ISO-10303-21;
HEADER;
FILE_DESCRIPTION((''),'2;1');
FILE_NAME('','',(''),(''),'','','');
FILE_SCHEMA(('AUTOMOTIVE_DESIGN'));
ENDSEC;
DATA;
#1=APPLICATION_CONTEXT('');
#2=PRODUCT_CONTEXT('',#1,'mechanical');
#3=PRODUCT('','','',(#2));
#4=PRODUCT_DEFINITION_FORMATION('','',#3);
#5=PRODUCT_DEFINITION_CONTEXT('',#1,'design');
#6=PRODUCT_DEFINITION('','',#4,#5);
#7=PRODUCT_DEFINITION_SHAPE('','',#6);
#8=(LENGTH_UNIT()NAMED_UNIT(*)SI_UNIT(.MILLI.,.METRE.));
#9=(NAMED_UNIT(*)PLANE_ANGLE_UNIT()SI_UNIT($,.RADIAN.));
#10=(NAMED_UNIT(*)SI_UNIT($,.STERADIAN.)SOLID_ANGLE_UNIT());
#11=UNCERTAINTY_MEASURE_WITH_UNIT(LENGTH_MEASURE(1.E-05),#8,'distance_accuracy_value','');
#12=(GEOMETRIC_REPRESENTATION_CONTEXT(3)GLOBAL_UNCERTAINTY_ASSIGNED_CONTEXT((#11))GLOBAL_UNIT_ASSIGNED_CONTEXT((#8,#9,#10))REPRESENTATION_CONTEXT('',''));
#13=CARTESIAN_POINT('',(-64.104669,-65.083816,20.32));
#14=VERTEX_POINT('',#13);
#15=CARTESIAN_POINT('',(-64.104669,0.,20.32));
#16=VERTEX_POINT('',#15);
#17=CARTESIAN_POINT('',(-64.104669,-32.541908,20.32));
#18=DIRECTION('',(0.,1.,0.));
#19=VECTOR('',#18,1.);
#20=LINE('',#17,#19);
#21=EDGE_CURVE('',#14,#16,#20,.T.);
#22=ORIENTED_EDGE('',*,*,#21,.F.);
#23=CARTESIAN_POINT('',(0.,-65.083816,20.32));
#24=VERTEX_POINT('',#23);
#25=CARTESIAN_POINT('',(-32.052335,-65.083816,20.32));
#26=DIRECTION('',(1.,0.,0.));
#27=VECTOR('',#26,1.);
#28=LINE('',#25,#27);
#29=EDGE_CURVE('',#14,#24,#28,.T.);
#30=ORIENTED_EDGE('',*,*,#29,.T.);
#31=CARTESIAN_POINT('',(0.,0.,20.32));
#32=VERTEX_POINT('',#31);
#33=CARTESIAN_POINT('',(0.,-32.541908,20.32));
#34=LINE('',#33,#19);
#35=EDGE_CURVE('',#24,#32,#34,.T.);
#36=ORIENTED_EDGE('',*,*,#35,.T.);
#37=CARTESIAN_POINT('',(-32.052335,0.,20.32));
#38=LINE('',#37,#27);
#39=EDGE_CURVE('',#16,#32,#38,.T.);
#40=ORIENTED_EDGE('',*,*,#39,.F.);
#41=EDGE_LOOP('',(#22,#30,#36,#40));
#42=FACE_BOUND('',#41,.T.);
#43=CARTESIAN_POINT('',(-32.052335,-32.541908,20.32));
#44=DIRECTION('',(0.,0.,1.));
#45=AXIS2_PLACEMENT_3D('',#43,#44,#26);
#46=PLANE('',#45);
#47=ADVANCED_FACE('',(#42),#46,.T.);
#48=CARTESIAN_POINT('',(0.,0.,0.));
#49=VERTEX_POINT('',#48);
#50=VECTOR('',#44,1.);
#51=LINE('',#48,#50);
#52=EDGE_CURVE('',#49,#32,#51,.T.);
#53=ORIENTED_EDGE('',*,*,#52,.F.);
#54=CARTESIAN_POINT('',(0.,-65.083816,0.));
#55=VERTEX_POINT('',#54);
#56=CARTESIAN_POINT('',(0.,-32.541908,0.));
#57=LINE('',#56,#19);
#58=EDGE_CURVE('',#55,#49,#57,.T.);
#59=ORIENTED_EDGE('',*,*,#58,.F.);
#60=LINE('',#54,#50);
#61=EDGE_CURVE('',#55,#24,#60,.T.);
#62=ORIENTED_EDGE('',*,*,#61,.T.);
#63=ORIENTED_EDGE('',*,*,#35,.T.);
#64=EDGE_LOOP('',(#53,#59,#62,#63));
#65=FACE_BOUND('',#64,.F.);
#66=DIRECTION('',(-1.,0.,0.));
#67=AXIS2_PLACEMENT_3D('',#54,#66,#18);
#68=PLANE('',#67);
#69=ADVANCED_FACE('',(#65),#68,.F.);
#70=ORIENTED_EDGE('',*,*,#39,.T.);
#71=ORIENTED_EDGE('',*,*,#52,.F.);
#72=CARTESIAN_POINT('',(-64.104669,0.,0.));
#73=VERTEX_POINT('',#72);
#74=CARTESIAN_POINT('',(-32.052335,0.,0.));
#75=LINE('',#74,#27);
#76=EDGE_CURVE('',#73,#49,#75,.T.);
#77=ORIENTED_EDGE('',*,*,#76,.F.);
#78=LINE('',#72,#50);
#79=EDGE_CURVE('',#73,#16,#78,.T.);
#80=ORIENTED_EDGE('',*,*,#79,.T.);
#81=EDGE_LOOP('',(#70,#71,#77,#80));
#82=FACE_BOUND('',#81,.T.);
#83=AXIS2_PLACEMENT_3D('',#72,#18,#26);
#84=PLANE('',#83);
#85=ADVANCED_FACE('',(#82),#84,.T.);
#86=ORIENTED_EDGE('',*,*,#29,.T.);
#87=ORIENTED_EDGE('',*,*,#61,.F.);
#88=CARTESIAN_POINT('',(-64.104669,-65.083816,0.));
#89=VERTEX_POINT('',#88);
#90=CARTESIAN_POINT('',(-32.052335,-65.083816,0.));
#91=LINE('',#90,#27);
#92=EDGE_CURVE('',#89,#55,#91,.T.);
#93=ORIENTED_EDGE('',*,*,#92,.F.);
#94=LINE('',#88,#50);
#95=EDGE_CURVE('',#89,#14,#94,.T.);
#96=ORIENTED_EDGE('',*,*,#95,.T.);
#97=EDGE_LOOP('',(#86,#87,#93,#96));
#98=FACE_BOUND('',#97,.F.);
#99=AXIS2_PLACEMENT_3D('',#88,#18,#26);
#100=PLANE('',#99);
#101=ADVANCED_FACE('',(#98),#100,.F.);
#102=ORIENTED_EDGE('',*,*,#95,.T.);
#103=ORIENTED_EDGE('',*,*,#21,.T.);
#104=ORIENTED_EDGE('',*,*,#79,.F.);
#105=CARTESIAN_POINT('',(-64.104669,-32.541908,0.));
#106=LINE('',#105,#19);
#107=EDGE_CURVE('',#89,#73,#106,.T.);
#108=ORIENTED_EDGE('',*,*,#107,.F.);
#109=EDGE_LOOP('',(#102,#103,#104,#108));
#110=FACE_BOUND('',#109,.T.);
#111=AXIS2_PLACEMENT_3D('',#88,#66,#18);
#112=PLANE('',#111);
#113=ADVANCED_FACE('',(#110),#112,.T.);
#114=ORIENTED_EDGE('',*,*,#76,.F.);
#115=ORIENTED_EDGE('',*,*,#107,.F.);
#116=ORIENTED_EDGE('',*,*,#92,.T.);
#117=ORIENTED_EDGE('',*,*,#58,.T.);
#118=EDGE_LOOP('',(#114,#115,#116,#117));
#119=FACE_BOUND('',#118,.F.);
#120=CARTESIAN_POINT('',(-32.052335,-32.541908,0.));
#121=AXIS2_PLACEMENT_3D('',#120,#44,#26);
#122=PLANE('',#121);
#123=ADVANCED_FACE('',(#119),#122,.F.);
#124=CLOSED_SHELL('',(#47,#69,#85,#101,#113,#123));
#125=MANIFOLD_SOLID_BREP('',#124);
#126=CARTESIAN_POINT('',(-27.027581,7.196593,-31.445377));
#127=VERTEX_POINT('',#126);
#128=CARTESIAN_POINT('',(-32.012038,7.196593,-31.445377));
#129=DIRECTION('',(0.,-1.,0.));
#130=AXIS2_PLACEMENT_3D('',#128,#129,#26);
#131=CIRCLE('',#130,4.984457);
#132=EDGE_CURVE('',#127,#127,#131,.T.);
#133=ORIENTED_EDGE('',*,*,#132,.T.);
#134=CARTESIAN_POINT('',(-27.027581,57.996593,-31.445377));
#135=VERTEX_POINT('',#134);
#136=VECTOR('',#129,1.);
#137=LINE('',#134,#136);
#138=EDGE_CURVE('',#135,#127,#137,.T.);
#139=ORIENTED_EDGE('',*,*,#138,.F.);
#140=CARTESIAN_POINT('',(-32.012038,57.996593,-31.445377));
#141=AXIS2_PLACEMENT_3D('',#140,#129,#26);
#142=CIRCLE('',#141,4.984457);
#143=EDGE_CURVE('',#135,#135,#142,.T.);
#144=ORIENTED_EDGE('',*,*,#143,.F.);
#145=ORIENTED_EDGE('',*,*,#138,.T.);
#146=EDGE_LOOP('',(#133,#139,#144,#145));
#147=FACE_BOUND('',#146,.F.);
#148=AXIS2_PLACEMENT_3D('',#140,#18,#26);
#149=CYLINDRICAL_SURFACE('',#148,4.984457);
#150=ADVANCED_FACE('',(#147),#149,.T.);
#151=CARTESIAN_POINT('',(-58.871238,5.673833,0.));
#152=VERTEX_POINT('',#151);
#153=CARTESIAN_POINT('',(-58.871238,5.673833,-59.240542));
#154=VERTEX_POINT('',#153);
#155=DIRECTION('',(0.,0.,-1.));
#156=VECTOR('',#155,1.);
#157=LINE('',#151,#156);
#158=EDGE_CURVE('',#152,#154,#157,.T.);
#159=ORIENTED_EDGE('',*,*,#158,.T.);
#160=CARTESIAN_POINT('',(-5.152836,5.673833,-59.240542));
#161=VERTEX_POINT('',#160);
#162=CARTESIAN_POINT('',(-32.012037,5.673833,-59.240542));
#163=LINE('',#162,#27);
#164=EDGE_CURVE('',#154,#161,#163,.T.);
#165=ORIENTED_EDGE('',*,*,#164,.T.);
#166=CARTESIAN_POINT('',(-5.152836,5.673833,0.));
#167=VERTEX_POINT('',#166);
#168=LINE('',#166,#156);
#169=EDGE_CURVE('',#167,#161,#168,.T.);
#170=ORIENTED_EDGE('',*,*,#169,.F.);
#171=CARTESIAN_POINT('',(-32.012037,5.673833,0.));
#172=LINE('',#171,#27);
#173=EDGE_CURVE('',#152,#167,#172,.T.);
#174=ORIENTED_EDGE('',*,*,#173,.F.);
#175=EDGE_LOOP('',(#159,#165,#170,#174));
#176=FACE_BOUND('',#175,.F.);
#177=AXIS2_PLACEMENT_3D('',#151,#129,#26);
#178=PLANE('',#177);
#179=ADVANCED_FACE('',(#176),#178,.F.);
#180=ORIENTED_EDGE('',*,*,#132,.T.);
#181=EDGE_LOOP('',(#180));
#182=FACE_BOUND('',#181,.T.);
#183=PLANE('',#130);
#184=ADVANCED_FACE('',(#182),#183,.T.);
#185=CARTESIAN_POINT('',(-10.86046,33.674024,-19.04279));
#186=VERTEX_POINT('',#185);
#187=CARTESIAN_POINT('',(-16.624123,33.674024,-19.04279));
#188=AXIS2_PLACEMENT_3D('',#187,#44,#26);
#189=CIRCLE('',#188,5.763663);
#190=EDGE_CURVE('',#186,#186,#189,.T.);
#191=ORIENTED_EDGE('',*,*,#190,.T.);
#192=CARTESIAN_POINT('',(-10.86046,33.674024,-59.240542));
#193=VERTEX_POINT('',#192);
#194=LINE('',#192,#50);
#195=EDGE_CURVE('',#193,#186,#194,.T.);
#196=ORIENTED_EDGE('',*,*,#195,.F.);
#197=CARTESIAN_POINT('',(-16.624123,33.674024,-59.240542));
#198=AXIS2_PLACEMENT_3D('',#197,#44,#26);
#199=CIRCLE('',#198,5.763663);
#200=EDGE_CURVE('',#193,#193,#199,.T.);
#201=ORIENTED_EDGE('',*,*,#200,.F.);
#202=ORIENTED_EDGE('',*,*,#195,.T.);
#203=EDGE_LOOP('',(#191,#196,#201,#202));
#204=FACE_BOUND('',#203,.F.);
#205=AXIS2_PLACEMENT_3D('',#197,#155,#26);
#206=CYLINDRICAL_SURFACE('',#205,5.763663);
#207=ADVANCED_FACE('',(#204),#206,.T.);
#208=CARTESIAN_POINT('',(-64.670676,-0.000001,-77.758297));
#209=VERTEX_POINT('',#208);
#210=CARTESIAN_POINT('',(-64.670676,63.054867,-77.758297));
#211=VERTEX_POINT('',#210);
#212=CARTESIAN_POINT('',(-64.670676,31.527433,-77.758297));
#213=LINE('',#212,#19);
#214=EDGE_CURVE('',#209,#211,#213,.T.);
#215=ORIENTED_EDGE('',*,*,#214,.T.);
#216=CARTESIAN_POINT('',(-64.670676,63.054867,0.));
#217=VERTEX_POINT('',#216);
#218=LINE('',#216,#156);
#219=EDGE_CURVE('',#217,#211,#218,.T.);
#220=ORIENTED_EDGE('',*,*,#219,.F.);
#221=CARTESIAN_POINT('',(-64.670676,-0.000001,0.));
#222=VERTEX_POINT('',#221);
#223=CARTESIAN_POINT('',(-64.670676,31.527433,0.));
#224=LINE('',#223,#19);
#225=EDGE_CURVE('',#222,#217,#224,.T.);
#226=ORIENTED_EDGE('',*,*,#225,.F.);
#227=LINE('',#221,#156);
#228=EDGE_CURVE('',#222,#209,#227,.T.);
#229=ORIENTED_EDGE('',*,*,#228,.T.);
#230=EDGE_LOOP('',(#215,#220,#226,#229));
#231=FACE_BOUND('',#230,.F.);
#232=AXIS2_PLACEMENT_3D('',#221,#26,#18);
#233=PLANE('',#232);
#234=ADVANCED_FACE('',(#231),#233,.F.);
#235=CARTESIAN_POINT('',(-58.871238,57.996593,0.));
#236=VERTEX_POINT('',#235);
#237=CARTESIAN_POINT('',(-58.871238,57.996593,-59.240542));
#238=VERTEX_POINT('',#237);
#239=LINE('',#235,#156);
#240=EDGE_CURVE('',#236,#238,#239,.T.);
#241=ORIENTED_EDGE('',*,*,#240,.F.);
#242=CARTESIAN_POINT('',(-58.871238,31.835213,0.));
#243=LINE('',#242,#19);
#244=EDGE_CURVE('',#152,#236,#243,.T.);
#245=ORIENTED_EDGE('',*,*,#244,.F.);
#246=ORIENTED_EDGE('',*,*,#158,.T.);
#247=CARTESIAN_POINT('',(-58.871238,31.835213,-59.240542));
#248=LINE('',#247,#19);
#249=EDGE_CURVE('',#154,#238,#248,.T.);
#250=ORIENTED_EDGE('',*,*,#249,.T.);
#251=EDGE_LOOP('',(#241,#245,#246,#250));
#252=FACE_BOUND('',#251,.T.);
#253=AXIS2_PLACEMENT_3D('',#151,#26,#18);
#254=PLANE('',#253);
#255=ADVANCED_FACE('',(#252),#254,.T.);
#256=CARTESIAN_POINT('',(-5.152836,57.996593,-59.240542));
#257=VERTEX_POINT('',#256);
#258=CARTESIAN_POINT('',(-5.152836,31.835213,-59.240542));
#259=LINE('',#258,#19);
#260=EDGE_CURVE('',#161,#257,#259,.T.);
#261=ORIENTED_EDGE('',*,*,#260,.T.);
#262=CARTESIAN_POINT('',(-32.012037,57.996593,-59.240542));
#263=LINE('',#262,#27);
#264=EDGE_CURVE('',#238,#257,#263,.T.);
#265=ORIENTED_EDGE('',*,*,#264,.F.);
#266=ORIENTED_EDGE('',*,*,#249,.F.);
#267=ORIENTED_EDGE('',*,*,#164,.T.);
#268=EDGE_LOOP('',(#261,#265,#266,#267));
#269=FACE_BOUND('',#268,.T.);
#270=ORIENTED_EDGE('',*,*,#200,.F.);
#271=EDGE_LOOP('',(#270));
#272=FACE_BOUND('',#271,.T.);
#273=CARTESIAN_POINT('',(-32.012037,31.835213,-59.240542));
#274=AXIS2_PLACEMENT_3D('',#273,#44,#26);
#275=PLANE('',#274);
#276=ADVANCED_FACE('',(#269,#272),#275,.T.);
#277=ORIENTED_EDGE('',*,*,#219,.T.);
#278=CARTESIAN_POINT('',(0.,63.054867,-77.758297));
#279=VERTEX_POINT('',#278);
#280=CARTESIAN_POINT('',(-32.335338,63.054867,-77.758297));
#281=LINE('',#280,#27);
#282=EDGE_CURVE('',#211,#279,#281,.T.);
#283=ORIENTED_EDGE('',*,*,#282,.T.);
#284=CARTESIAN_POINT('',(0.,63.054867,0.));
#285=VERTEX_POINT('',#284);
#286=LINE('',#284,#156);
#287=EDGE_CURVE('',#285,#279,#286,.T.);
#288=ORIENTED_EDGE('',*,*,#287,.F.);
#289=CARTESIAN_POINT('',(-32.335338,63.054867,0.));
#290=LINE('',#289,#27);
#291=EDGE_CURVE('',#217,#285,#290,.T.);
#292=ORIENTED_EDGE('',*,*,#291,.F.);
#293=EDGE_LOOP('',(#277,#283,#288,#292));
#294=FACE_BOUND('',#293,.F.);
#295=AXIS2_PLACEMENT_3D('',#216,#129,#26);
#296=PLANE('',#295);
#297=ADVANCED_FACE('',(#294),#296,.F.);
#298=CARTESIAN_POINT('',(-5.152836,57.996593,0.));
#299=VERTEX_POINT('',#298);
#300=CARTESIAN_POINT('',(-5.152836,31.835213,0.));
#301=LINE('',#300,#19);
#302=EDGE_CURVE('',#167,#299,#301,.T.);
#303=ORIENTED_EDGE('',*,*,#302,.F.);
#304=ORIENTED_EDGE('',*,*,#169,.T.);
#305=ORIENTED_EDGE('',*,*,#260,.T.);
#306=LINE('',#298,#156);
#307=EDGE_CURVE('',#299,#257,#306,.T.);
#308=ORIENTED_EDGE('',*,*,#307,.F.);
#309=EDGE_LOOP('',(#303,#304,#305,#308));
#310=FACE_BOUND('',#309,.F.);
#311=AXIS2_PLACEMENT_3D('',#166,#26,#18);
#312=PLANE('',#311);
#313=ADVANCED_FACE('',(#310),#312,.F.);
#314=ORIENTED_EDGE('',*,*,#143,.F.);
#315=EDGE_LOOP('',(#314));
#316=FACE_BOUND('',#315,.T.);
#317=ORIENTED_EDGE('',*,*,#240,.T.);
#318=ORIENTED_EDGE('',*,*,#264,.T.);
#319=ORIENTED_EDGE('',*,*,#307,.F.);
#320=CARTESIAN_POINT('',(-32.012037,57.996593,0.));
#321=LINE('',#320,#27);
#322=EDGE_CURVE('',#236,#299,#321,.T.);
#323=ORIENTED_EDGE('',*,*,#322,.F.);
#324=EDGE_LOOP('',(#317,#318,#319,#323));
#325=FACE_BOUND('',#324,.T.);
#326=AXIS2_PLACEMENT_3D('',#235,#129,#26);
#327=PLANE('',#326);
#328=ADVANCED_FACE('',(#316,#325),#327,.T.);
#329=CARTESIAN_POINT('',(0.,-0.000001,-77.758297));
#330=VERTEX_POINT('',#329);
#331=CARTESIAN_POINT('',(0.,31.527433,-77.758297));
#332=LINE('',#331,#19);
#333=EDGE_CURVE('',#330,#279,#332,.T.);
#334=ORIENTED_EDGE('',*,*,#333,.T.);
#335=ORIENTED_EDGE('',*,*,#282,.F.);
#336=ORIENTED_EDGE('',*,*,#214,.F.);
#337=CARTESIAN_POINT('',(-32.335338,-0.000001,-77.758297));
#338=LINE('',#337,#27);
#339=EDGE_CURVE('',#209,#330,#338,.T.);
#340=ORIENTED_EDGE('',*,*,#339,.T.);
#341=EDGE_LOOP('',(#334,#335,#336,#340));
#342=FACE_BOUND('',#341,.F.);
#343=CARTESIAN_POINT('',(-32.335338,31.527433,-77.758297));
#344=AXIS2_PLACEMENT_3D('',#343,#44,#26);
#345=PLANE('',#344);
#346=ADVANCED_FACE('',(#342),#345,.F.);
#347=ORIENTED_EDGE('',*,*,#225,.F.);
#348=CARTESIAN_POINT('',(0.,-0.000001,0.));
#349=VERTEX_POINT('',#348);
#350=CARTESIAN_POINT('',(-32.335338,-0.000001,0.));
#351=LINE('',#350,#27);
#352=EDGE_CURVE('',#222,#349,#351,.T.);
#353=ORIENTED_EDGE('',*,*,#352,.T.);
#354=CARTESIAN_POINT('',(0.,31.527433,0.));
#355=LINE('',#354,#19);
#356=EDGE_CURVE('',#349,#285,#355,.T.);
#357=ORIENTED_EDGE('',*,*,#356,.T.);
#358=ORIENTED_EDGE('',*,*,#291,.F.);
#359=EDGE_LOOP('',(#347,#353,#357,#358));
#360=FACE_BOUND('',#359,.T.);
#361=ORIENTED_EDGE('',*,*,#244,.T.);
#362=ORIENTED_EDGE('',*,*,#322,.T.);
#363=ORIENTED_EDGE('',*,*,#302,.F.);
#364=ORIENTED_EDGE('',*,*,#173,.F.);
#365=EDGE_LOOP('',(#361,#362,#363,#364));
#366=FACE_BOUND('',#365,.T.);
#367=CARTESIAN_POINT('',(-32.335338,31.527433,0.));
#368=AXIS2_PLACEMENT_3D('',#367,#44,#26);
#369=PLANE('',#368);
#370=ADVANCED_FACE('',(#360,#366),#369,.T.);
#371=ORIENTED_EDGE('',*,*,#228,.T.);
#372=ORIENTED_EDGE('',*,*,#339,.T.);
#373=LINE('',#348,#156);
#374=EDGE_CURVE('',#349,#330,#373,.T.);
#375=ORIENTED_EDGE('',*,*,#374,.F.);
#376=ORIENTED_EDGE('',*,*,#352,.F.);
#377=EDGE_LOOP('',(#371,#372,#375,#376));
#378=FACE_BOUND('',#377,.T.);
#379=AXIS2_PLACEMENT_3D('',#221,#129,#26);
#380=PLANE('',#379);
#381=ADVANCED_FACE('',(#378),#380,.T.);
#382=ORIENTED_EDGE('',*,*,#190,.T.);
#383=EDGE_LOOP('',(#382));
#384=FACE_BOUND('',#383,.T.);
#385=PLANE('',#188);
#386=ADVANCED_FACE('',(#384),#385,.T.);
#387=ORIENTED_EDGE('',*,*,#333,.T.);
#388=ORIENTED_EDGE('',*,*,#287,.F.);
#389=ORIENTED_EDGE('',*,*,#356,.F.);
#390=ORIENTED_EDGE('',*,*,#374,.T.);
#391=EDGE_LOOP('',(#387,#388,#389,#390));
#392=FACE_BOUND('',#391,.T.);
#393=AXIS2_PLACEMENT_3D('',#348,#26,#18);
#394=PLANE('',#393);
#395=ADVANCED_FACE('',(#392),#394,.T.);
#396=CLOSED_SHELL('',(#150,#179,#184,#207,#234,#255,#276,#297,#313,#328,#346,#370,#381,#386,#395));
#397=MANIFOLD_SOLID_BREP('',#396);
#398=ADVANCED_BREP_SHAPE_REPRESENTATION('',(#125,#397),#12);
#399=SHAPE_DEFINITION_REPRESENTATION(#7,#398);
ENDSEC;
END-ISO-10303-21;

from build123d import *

# Parameters (mm, degrees)
F0_W     = 64.670675
F0_H     = 63.054867
F1_DEPTH = 77.758297
F2_W     = 53.718403
F2_H     = 52.32276
F3_DEPTH = 59.240542
F4_R     = 4.984457
F5_DEPTH = 50.8
F6_R     = 5.763663
F7_DEPTH = 40.197752
F8_W     = 64.104669
F8_H     = 65.083817
F9_DEPTH = 20.32


with BuildPart() as f1:
    # F0 (on Top) → F1 (new body)
    with BuildSketch(Plane.XY):
        with Locations((-32.335338, 31.527433)):
            Rectangle(F0_W, F0_H)
    extrude(amount=-F1_DEPTH)

    # F2 (on face) → F3 (cut)
    with BuildSketch(Plane.XY):
        with Locations((-32.012037, 31.835213)):
            Rectangle(F2_W, F2_H)
    extrude(amount=-F3_DEPTH, mode=Mode.SUBTRACT)

    # F4 (on face) → F5 (join)
    with BuildSketch(Plane.XZ.offset(-57.996593)):
        with Locations((-32.012038, -31.445377)):
            Circle(F4_R)
    extrude(amount=F5_DEPTH)

    # F6 (on face) → F7 (join)
    with BuildSketch(Plane.XY.offset(-59.240542)):
        with Locations((-16.624123, 33.674024)):
            Circle(F6_R)
    extrude(amount=F7_DEPTH)


with BuildPart() as f9:
    # F8 (on Top) → F9 (new body)
    with BuildSketch(Plane.XY):
        with Locations((-32.052335, -32.541908)):
            Rectangle(F8_W, F8_H)
    extrude(amount=F9_DEPTH)


solid = Compound([f1.part, f9.part])
